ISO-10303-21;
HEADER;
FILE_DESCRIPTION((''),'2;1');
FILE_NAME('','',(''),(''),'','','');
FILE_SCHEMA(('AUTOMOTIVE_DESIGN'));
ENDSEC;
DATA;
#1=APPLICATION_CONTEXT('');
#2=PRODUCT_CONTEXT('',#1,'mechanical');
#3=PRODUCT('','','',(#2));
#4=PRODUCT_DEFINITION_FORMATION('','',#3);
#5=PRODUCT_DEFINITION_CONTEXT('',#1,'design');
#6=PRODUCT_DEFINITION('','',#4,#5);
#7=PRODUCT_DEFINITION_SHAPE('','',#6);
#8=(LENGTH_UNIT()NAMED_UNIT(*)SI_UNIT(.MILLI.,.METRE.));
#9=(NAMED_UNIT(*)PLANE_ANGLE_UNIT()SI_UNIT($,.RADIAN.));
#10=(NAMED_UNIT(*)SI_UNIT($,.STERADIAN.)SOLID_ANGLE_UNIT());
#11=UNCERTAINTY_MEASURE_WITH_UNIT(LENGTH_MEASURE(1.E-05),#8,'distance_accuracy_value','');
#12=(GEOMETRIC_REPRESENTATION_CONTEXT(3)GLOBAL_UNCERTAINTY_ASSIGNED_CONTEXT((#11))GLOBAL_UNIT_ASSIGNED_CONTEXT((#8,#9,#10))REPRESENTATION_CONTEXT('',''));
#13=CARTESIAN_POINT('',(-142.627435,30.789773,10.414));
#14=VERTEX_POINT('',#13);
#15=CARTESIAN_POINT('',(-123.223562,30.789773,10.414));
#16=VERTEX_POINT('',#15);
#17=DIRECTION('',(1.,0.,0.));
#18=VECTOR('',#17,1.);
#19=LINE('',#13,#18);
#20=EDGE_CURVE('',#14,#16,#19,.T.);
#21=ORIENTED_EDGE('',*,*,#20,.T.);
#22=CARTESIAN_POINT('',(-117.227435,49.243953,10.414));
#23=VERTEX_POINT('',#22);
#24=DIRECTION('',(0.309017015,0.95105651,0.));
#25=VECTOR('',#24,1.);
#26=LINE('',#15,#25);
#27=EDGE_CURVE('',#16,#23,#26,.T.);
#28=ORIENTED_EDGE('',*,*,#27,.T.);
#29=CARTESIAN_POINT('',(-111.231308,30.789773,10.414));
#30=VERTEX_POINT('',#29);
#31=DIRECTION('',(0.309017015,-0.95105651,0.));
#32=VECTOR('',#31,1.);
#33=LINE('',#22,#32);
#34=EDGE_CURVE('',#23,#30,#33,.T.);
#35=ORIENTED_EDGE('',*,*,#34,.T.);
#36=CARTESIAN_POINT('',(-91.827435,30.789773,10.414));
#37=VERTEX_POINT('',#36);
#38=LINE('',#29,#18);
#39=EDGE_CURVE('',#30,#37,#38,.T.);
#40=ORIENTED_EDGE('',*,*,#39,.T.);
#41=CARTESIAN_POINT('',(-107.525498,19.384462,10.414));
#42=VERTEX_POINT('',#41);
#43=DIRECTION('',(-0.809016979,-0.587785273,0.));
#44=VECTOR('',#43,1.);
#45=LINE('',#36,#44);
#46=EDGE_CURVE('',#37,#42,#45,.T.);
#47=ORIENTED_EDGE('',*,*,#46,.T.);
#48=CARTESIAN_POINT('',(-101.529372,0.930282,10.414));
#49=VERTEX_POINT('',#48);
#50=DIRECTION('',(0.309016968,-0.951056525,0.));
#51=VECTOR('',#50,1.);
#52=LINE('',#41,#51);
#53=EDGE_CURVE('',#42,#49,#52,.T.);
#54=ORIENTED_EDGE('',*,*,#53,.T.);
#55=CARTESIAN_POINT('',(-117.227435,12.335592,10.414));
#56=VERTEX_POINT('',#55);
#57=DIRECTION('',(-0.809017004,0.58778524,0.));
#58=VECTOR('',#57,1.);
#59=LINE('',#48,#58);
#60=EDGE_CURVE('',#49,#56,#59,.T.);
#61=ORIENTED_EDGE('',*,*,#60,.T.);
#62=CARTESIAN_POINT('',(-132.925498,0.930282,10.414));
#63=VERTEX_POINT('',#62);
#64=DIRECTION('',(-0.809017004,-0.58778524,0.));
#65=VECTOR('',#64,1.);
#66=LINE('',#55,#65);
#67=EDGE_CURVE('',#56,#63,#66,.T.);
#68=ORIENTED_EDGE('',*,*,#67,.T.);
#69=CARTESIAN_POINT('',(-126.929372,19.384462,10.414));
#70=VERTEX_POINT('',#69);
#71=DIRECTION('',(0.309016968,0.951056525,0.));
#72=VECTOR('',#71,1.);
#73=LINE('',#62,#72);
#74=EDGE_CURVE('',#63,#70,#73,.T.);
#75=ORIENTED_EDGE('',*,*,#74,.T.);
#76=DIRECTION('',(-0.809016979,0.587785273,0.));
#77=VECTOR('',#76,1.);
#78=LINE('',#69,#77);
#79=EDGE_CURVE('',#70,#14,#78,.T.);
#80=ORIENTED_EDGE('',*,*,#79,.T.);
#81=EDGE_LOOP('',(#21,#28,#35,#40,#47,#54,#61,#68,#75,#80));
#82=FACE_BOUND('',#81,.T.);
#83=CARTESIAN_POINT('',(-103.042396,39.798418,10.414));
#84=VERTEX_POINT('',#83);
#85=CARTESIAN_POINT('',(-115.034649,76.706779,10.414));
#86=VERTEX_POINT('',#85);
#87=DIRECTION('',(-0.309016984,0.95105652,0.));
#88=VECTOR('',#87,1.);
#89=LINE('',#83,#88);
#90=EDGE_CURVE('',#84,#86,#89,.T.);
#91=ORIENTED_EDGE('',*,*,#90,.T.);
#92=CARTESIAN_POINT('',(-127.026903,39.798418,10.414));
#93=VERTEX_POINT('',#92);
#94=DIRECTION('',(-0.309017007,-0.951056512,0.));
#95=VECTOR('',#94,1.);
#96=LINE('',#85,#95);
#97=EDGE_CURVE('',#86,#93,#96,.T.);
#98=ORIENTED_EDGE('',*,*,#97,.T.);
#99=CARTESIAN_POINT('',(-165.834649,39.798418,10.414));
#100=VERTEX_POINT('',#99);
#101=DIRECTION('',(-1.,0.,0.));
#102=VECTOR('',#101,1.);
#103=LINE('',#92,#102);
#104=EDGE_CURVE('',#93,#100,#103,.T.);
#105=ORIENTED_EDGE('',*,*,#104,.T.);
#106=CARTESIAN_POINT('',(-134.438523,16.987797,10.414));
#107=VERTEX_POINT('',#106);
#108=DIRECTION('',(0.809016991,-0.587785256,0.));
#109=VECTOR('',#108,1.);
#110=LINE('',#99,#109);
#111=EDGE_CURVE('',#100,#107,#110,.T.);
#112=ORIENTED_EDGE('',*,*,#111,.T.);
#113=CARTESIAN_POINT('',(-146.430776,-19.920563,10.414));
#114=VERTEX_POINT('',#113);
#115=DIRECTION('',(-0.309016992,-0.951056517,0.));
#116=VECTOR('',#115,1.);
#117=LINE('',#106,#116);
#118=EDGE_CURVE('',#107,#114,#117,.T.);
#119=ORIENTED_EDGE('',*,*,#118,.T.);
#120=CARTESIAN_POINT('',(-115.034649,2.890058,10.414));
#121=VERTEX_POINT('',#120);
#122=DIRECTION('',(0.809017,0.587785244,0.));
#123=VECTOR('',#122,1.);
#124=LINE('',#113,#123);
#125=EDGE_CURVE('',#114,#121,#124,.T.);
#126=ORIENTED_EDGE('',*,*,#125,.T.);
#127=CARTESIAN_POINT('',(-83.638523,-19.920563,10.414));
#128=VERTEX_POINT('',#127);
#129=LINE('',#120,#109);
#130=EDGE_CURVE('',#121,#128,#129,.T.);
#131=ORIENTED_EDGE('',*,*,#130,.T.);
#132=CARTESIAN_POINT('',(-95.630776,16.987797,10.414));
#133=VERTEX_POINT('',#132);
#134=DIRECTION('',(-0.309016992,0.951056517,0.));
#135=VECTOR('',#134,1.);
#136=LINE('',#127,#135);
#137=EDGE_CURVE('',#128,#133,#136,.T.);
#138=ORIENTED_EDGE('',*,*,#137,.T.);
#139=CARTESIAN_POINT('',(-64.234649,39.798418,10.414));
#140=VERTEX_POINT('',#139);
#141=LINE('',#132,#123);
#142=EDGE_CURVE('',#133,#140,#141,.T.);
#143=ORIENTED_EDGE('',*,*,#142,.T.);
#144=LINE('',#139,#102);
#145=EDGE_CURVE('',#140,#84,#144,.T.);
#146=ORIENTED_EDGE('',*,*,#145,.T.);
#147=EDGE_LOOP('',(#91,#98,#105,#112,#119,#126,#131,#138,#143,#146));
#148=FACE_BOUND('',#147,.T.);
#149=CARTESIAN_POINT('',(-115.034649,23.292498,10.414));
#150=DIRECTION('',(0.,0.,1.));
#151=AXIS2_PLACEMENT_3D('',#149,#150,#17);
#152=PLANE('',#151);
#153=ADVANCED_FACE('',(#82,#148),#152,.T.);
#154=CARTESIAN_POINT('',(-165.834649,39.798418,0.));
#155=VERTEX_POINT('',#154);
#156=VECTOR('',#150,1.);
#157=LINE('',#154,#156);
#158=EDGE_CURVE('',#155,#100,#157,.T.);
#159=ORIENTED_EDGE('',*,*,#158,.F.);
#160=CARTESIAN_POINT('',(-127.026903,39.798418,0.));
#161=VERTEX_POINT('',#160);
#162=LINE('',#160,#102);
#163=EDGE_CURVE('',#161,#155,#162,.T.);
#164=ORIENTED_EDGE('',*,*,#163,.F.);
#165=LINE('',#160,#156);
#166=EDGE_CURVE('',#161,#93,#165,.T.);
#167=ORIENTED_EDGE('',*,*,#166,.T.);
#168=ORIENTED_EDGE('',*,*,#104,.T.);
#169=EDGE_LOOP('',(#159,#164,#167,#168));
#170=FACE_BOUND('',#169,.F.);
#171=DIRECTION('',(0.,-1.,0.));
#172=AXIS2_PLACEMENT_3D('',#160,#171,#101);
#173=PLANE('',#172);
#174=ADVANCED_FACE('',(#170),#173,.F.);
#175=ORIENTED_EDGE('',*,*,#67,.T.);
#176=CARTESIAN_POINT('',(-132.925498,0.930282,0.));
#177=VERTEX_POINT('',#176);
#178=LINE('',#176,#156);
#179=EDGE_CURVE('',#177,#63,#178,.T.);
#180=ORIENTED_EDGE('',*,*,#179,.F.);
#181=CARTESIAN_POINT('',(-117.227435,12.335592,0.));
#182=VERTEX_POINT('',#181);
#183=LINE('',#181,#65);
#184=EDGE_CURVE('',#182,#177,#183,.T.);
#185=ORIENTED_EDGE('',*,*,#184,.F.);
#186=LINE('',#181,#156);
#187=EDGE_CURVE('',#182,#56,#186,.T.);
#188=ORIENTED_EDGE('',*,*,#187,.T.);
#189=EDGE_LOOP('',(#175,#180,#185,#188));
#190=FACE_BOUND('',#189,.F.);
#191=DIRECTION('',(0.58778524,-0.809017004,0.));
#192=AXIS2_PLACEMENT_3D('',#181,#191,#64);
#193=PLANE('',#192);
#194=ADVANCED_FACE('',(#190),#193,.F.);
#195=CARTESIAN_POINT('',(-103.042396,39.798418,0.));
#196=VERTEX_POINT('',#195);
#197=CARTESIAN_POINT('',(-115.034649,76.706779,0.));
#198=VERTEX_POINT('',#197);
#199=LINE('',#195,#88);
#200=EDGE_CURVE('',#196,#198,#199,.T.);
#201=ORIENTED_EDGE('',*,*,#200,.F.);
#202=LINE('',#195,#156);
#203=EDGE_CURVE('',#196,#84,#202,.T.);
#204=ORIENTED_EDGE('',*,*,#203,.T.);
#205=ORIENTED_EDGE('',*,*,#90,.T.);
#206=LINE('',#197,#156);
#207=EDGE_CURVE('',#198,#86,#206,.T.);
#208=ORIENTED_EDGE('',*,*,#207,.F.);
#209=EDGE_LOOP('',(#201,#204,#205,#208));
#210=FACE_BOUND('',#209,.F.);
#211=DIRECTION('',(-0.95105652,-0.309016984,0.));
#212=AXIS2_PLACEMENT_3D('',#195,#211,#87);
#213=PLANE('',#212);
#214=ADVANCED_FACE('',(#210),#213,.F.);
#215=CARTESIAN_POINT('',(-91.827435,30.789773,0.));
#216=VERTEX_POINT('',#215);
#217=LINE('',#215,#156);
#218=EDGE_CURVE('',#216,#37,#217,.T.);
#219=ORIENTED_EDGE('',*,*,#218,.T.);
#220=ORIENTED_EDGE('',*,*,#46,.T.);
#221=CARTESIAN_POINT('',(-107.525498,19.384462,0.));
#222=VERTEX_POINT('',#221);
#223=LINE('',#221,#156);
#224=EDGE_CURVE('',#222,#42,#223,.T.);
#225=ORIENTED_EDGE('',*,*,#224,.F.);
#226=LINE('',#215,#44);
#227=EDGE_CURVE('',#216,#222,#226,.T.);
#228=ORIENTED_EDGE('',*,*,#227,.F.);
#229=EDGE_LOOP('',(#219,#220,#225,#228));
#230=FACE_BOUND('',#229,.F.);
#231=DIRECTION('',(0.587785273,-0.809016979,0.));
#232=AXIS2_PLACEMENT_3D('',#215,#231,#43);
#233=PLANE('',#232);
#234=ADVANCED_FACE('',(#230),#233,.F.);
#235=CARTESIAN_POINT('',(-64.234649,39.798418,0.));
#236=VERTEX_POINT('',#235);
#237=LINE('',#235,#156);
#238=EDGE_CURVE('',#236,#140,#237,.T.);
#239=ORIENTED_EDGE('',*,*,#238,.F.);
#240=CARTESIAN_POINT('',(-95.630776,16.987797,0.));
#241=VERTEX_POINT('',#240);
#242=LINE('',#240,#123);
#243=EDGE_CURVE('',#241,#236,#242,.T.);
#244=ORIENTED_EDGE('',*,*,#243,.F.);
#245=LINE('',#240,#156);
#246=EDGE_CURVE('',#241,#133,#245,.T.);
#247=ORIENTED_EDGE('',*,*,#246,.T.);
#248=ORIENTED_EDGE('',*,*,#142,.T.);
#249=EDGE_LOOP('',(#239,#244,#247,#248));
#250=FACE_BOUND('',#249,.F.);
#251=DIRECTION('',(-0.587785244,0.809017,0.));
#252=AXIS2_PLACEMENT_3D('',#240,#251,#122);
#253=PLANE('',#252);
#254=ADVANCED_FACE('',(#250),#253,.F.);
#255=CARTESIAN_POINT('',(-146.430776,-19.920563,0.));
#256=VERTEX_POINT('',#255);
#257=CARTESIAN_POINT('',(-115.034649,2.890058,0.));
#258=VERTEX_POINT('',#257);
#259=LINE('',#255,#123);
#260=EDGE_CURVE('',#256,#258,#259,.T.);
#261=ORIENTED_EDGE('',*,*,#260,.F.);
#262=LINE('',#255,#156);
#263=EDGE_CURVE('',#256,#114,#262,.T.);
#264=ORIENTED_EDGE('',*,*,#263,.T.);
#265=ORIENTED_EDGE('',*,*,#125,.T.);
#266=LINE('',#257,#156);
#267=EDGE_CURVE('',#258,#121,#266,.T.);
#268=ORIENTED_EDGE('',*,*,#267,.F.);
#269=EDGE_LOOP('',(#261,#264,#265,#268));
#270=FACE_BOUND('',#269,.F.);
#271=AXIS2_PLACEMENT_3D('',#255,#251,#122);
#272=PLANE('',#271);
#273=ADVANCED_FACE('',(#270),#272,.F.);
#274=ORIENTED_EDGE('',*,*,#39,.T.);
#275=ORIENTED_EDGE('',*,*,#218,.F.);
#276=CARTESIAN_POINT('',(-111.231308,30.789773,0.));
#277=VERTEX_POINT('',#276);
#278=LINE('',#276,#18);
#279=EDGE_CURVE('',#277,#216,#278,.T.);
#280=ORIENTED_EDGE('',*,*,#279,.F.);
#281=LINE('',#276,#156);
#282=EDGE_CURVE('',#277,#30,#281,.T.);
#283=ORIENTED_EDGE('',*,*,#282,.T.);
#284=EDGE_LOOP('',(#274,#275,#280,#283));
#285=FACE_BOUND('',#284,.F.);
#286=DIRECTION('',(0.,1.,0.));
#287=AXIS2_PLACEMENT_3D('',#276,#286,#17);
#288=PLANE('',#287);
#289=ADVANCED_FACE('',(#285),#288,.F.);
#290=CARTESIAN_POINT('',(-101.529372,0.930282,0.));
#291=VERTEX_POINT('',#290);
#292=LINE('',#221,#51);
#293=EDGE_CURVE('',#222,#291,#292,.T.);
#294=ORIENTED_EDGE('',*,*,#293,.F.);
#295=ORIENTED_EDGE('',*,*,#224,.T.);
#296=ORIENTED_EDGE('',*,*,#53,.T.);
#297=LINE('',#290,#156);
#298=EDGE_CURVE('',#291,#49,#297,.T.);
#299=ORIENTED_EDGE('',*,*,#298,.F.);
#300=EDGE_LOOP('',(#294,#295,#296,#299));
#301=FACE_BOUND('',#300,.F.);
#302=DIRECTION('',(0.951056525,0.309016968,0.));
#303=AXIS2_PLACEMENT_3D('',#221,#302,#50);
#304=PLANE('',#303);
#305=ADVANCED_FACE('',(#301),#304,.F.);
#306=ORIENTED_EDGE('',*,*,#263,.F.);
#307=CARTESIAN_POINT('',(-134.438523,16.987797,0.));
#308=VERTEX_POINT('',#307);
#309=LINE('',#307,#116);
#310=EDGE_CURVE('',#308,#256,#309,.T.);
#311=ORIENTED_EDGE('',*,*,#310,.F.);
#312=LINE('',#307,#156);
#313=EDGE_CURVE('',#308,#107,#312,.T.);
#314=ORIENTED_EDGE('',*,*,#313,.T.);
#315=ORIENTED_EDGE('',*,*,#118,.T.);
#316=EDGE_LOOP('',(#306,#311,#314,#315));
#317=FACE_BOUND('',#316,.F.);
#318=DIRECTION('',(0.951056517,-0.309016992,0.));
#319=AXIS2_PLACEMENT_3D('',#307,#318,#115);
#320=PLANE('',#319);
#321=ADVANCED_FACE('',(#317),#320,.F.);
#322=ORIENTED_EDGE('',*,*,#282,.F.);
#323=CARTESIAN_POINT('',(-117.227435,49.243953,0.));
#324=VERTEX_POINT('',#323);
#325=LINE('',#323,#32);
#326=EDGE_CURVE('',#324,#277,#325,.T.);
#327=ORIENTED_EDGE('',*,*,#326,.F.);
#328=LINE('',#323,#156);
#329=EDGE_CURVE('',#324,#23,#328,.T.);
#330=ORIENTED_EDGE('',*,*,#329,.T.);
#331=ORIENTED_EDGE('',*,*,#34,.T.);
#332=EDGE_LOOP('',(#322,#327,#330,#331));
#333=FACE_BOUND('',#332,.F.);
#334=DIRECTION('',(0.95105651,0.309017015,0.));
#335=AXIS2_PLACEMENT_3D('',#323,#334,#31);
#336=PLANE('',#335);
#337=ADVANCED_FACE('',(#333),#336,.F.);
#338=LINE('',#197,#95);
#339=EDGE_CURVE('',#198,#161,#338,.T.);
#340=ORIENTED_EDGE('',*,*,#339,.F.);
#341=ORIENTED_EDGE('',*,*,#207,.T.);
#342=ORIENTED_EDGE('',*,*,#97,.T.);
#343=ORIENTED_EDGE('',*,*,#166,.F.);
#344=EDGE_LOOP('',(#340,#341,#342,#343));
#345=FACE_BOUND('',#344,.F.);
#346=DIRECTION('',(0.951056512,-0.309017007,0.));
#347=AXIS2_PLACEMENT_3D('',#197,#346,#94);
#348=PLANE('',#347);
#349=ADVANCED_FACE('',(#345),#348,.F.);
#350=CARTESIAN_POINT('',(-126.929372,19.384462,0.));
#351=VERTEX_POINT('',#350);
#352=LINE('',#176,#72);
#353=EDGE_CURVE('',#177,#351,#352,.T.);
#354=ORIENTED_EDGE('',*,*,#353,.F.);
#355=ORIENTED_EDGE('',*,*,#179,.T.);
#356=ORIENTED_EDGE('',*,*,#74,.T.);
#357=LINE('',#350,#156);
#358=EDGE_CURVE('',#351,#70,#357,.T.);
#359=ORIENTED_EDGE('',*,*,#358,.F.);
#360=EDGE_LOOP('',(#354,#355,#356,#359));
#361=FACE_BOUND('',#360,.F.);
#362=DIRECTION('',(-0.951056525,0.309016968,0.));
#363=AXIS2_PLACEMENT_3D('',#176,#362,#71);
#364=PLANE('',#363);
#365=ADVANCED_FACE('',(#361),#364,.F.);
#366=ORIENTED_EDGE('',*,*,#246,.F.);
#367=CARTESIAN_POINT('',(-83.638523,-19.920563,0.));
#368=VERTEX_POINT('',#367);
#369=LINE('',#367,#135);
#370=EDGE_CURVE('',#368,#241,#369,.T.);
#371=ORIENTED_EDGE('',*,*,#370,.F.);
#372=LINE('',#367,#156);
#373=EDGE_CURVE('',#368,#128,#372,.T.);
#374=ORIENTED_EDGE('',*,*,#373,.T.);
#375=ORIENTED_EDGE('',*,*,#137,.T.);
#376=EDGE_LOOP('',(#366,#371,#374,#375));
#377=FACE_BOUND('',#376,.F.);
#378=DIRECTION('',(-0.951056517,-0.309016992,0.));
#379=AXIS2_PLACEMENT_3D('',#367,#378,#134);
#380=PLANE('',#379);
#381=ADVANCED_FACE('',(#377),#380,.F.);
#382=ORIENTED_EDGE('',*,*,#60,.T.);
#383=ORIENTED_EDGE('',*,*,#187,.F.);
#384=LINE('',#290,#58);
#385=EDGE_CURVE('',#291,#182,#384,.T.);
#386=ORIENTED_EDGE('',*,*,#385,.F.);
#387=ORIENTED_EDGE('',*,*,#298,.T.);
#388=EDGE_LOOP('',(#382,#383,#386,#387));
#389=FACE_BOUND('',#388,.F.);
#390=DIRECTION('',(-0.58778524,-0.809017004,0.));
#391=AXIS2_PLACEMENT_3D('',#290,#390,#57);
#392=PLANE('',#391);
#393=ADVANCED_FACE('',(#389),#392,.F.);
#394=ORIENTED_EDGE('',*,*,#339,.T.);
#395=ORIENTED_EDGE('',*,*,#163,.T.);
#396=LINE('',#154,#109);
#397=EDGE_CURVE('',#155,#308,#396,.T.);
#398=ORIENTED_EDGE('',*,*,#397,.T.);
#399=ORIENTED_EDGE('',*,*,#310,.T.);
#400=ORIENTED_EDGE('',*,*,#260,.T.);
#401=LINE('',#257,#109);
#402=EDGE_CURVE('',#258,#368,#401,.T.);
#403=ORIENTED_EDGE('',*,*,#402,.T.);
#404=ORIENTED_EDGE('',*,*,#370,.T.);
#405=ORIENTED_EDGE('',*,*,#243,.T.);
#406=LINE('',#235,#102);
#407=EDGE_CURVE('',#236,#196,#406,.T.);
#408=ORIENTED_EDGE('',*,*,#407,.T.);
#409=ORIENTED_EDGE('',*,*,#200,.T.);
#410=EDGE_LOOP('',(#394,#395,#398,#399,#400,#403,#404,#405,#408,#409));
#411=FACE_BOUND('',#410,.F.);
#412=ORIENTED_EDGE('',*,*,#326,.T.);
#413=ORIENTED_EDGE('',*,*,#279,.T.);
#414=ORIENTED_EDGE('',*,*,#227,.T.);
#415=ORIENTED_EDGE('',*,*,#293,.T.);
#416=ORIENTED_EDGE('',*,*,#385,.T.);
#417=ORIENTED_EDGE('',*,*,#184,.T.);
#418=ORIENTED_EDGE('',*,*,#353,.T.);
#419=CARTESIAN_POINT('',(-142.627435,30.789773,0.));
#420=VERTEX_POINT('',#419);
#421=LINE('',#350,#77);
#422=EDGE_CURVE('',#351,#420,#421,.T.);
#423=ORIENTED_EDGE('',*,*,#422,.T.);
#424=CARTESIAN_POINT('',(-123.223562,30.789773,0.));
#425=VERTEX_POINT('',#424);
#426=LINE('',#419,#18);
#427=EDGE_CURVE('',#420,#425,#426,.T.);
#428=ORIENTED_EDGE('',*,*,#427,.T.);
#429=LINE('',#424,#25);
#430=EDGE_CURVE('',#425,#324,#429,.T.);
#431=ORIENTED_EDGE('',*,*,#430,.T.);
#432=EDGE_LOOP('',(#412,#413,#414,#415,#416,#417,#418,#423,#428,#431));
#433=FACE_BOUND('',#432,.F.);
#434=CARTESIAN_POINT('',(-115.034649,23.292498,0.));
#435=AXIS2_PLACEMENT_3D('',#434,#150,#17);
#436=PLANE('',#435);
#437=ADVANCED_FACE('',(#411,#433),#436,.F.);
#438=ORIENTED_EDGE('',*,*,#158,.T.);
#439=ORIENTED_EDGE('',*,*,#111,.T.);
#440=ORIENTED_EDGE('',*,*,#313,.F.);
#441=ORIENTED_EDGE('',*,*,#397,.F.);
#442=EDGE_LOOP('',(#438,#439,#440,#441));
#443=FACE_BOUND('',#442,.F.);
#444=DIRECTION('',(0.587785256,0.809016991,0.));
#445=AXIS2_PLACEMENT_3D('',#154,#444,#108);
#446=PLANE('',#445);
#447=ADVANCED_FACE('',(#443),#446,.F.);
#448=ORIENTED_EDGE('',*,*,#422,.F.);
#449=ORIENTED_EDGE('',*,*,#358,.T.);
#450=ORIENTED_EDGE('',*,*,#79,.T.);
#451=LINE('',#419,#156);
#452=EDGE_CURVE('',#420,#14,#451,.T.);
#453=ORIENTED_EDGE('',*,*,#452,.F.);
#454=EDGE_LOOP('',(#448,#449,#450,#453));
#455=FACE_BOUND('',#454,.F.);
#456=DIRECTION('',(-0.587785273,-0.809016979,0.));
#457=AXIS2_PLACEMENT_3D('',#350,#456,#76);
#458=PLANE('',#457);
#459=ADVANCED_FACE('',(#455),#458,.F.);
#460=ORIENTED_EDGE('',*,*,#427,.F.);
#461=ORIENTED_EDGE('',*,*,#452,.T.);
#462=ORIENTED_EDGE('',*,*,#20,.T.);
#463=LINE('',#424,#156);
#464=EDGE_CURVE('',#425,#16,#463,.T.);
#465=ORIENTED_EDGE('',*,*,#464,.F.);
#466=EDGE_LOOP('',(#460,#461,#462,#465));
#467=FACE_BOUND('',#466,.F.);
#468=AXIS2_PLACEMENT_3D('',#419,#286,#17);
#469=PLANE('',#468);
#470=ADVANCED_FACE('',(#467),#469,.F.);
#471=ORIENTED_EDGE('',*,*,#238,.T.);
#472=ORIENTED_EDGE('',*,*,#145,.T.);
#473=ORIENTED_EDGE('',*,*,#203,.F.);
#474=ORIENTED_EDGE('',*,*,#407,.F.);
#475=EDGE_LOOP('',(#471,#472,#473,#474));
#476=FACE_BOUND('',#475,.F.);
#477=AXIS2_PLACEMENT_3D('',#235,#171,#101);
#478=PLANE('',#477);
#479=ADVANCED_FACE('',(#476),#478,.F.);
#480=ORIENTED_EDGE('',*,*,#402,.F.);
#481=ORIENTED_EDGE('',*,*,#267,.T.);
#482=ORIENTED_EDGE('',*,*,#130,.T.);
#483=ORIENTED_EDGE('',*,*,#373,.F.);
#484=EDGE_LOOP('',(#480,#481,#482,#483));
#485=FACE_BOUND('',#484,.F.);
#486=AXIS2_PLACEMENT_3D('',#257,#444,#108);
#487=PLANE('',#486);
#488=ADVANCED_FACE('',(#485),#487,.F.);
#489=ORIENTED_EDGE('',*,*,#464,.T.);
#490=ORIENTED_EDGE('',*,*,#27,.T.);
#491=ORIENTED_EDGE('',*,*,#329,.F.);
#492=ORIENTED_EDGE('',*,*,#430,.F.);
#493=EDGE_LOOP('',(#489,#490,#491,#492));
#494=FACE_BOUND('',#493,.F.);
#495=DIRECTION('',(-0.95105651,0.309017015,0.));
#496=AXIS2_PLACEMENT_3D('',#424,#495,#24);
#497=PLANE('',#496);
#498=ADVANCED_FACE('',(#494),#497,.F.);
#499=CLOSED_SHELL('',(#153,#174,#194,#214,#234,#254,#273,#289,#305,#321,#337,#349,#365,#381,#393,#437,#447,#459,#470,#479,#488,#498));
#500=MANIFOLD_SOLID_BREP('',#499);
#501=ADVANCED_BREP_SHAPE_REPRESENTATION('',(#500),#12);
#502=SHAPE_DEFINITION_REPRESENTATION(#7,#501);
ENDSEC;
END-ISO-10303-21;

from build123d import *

# Parameters (mm, degrees)
F1_DEPTH = 10.414


with BuildPart() as f1:
    # F0 (on Top) → F1 (new body)
    with BuildSketch(Plane.XY):
        Polygon((-134.438523, 16.987797), (-146.430776, -19.920563), (-115.034649, 2.890058), (-83.638523, -19.920563), (-95.630776, 16.987797), (-64.234649, 39.798418), (-103.042396, 39.798418), (-115.034649, 76.706779), (-127.026903, 39.798418), (-165.834649, 39.798418), align=None)
        Polygon((-123.223562, 30.789773), (-117.227435, 49.243953), (-111.231308, 30.789773), (-91.827435, 30.789773), (-107.525498, 19.384462), (-101.529372, 0.930282), (-117.227435, 12.335592), (-132.925498, 0.930282), (-126.929372, 19.384462), (-142.627435, 30.789773), align=None, mode=Mode.SUBTRACT)
    extrude(amount=F1_DEPTH)


solid = f1.part
